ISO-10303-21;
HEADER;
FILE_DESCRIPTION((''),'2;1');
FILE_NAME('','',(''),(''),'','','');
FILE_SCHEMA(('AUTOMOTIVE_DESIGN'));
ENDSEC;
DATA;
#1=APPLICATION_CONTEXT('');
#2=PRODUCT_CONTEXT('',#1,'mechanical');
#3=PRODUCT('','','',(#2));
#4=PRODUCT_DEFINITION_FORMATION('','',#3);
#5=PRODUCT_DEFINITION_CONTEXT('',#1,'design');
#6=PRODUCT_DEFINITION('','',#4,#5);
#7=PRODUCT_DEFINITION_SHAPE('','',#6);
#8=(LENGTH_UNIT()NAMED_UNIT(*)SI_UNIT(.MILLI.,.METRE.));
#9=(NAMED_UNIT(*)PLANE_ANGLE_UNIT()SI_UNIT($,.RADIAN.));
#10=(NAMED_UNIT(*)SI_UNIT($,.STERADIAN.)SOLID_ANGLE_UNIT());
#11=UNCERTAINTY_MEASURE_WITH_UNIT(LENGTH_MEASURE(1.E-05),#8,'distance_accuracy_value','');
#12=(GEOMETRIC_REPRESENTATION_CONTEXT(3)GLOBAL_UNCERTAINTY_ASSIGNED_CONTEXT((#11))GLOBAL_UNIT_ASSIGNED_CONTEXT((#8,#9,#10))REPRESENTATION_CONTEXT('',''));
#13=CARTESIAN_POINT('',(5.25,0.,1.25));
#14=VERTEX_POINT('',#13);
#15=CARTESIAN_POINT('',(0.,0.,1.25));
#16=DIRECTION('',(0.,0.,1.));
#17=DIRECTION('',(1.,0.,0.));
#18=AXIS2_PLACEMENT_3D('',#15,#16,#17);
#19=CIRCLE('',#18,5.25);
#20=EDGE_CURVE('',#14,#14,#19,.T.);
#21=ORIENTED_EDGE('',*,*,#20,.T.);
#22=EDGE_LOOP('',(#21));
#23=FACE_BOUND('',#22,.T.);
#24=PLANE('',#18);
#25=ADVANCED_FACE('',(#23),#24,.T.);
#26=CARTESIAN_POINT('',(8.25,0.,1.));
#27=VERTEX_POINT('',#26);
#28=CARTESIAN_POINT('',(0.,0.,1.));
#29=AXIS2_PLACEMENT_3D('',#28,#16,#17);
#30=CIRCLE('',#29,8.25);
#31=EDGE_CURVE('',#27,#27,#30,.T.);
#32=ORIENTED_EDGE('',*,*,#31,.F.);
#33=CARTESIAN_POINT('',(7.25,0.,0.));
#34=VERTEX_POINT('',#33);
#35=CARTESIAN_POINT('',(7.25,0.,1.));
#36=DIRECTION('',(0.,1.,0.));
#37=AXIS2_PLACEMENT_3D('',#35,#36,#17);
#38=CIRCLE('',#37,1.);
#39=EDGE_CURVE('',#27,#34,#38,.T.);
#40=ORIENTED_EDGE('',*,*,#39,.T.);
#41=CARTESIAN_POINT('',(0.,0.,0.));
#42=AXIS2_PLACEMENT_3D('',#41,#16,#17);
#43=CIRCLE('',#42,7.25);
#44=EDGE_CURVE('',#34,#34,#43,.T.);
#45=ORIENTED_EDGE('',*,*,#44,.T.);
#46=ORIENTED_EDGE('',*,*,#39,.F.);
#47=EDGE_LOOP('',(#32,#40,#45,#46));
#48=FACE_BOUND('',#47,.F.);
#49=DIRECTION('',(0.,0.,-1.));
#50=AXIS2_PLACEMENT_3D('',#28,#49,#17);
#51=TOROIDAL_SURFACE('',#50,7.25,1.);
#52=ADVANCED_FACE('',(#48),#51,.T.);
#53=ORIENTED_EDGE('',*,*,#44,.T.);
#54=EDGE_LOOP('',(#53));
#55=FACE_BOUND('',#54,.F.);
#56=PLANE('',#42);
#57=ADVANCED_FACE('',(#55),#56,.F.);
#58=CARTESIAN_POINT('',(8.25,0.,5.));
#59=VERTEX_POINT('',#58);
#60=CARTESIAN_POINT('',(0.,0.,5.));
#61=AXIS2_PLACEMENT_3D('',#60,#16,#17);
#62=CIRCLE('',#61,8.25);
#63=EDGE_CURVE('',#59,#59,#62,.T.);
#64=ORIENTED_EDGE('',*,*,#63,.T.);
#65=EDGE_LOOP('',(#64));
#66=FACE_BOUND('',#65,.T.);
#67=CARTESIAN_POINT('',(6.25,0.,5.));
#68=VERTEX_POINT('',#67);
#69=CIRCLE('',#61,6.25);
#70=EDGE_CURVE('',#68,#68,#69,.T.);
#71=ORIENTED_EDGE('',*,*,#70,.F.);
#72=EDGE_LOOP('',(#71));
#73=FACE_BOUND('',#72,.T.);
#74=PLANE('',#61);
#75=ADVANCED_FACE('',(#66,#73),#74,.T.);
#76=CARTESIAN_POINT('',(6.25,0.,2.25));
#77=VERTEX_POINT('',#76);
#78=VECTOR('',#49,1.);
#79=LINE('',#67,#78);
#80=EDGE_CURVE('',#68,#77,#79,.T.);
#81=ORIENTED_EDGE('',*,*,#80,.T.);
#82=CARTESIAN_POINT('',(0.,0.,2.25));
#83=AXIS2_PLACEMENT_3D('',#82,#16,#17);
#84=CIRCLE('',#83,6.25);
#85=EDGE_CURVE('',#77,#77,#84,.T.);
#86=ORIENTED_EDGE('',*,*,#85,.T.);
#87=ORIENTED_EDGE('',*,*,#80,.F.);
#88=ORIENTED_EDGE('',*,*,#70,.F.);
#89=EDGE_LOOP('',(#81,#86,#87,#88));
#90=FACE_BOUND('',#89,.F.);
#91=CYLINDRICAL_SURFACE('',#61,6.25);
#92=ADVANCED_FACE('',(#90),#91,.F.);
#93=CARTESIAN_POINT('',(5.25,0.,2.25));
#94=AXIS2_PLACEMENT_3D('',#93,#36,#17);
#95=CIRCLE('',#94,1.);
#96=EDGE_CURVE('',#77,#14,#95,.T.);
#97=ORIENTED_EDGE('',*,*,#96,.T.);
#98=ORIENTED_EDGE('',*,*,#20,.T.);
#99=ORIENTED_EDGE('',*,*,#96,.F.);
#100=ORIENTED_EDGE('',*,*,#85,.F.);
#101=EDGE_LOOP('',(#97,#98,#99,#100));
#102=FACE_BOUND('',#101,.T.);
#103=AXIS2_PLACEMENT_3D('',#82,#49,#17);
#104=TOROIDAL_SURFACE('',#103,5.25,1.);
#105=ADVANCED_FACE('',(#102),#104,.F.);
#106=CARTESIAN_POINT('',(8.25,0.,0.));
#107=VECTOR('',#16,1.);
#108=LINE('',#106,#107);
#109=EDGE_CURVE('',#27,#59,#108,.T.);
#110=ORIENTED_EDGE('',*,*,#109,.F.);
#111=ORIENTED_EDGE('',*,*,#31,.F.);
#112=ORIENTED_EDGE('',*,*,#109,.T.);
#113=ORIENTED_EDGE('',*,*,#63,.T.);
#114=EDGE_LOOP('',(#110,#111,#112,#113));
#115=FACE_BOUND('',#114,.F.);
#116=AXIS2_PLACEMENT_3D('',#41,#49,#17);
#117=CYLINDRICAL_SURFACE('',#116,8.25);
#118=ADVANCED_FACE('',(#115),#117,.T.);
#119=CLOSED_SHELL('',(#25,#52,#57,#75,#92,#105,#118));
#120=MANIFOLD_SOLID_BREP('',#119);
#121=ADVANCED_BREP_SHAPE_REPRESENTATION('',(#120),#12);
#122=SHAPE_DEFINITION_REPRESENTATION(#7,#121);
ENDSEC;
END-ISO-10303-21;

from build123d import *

# Parameters (mm, degrees)
F0_R     = 8.25
F1_DEPTH = 5
F2_R     = 6.25
F3_DEPTH = 3.75
F4_R     = 1


with BuildPart() as f1:
    # F0 (on Top) → F1 (new body)
    with BuildSketch(Plane.XY):
        Circle(F0_R)
    extrude(amount=F1_DEPTH)

    # F2 (on face) → F3 (cut)
    with BuildSketch(Plane.XY.offset(5)):
        Circle(F2_R)
    extrude(amount=-F3_DEPTH, mode=Mode.SUBTRACT)

    # F4
    f4_edges = [f1.edges().sort_by_distance(p)[0] for p in [
        (-8.25, 0, 0),
        (-6.25, 0, 1.25),
    ]]
    fillet(f4_edges, radius=F4_R)


solid = f1.part
